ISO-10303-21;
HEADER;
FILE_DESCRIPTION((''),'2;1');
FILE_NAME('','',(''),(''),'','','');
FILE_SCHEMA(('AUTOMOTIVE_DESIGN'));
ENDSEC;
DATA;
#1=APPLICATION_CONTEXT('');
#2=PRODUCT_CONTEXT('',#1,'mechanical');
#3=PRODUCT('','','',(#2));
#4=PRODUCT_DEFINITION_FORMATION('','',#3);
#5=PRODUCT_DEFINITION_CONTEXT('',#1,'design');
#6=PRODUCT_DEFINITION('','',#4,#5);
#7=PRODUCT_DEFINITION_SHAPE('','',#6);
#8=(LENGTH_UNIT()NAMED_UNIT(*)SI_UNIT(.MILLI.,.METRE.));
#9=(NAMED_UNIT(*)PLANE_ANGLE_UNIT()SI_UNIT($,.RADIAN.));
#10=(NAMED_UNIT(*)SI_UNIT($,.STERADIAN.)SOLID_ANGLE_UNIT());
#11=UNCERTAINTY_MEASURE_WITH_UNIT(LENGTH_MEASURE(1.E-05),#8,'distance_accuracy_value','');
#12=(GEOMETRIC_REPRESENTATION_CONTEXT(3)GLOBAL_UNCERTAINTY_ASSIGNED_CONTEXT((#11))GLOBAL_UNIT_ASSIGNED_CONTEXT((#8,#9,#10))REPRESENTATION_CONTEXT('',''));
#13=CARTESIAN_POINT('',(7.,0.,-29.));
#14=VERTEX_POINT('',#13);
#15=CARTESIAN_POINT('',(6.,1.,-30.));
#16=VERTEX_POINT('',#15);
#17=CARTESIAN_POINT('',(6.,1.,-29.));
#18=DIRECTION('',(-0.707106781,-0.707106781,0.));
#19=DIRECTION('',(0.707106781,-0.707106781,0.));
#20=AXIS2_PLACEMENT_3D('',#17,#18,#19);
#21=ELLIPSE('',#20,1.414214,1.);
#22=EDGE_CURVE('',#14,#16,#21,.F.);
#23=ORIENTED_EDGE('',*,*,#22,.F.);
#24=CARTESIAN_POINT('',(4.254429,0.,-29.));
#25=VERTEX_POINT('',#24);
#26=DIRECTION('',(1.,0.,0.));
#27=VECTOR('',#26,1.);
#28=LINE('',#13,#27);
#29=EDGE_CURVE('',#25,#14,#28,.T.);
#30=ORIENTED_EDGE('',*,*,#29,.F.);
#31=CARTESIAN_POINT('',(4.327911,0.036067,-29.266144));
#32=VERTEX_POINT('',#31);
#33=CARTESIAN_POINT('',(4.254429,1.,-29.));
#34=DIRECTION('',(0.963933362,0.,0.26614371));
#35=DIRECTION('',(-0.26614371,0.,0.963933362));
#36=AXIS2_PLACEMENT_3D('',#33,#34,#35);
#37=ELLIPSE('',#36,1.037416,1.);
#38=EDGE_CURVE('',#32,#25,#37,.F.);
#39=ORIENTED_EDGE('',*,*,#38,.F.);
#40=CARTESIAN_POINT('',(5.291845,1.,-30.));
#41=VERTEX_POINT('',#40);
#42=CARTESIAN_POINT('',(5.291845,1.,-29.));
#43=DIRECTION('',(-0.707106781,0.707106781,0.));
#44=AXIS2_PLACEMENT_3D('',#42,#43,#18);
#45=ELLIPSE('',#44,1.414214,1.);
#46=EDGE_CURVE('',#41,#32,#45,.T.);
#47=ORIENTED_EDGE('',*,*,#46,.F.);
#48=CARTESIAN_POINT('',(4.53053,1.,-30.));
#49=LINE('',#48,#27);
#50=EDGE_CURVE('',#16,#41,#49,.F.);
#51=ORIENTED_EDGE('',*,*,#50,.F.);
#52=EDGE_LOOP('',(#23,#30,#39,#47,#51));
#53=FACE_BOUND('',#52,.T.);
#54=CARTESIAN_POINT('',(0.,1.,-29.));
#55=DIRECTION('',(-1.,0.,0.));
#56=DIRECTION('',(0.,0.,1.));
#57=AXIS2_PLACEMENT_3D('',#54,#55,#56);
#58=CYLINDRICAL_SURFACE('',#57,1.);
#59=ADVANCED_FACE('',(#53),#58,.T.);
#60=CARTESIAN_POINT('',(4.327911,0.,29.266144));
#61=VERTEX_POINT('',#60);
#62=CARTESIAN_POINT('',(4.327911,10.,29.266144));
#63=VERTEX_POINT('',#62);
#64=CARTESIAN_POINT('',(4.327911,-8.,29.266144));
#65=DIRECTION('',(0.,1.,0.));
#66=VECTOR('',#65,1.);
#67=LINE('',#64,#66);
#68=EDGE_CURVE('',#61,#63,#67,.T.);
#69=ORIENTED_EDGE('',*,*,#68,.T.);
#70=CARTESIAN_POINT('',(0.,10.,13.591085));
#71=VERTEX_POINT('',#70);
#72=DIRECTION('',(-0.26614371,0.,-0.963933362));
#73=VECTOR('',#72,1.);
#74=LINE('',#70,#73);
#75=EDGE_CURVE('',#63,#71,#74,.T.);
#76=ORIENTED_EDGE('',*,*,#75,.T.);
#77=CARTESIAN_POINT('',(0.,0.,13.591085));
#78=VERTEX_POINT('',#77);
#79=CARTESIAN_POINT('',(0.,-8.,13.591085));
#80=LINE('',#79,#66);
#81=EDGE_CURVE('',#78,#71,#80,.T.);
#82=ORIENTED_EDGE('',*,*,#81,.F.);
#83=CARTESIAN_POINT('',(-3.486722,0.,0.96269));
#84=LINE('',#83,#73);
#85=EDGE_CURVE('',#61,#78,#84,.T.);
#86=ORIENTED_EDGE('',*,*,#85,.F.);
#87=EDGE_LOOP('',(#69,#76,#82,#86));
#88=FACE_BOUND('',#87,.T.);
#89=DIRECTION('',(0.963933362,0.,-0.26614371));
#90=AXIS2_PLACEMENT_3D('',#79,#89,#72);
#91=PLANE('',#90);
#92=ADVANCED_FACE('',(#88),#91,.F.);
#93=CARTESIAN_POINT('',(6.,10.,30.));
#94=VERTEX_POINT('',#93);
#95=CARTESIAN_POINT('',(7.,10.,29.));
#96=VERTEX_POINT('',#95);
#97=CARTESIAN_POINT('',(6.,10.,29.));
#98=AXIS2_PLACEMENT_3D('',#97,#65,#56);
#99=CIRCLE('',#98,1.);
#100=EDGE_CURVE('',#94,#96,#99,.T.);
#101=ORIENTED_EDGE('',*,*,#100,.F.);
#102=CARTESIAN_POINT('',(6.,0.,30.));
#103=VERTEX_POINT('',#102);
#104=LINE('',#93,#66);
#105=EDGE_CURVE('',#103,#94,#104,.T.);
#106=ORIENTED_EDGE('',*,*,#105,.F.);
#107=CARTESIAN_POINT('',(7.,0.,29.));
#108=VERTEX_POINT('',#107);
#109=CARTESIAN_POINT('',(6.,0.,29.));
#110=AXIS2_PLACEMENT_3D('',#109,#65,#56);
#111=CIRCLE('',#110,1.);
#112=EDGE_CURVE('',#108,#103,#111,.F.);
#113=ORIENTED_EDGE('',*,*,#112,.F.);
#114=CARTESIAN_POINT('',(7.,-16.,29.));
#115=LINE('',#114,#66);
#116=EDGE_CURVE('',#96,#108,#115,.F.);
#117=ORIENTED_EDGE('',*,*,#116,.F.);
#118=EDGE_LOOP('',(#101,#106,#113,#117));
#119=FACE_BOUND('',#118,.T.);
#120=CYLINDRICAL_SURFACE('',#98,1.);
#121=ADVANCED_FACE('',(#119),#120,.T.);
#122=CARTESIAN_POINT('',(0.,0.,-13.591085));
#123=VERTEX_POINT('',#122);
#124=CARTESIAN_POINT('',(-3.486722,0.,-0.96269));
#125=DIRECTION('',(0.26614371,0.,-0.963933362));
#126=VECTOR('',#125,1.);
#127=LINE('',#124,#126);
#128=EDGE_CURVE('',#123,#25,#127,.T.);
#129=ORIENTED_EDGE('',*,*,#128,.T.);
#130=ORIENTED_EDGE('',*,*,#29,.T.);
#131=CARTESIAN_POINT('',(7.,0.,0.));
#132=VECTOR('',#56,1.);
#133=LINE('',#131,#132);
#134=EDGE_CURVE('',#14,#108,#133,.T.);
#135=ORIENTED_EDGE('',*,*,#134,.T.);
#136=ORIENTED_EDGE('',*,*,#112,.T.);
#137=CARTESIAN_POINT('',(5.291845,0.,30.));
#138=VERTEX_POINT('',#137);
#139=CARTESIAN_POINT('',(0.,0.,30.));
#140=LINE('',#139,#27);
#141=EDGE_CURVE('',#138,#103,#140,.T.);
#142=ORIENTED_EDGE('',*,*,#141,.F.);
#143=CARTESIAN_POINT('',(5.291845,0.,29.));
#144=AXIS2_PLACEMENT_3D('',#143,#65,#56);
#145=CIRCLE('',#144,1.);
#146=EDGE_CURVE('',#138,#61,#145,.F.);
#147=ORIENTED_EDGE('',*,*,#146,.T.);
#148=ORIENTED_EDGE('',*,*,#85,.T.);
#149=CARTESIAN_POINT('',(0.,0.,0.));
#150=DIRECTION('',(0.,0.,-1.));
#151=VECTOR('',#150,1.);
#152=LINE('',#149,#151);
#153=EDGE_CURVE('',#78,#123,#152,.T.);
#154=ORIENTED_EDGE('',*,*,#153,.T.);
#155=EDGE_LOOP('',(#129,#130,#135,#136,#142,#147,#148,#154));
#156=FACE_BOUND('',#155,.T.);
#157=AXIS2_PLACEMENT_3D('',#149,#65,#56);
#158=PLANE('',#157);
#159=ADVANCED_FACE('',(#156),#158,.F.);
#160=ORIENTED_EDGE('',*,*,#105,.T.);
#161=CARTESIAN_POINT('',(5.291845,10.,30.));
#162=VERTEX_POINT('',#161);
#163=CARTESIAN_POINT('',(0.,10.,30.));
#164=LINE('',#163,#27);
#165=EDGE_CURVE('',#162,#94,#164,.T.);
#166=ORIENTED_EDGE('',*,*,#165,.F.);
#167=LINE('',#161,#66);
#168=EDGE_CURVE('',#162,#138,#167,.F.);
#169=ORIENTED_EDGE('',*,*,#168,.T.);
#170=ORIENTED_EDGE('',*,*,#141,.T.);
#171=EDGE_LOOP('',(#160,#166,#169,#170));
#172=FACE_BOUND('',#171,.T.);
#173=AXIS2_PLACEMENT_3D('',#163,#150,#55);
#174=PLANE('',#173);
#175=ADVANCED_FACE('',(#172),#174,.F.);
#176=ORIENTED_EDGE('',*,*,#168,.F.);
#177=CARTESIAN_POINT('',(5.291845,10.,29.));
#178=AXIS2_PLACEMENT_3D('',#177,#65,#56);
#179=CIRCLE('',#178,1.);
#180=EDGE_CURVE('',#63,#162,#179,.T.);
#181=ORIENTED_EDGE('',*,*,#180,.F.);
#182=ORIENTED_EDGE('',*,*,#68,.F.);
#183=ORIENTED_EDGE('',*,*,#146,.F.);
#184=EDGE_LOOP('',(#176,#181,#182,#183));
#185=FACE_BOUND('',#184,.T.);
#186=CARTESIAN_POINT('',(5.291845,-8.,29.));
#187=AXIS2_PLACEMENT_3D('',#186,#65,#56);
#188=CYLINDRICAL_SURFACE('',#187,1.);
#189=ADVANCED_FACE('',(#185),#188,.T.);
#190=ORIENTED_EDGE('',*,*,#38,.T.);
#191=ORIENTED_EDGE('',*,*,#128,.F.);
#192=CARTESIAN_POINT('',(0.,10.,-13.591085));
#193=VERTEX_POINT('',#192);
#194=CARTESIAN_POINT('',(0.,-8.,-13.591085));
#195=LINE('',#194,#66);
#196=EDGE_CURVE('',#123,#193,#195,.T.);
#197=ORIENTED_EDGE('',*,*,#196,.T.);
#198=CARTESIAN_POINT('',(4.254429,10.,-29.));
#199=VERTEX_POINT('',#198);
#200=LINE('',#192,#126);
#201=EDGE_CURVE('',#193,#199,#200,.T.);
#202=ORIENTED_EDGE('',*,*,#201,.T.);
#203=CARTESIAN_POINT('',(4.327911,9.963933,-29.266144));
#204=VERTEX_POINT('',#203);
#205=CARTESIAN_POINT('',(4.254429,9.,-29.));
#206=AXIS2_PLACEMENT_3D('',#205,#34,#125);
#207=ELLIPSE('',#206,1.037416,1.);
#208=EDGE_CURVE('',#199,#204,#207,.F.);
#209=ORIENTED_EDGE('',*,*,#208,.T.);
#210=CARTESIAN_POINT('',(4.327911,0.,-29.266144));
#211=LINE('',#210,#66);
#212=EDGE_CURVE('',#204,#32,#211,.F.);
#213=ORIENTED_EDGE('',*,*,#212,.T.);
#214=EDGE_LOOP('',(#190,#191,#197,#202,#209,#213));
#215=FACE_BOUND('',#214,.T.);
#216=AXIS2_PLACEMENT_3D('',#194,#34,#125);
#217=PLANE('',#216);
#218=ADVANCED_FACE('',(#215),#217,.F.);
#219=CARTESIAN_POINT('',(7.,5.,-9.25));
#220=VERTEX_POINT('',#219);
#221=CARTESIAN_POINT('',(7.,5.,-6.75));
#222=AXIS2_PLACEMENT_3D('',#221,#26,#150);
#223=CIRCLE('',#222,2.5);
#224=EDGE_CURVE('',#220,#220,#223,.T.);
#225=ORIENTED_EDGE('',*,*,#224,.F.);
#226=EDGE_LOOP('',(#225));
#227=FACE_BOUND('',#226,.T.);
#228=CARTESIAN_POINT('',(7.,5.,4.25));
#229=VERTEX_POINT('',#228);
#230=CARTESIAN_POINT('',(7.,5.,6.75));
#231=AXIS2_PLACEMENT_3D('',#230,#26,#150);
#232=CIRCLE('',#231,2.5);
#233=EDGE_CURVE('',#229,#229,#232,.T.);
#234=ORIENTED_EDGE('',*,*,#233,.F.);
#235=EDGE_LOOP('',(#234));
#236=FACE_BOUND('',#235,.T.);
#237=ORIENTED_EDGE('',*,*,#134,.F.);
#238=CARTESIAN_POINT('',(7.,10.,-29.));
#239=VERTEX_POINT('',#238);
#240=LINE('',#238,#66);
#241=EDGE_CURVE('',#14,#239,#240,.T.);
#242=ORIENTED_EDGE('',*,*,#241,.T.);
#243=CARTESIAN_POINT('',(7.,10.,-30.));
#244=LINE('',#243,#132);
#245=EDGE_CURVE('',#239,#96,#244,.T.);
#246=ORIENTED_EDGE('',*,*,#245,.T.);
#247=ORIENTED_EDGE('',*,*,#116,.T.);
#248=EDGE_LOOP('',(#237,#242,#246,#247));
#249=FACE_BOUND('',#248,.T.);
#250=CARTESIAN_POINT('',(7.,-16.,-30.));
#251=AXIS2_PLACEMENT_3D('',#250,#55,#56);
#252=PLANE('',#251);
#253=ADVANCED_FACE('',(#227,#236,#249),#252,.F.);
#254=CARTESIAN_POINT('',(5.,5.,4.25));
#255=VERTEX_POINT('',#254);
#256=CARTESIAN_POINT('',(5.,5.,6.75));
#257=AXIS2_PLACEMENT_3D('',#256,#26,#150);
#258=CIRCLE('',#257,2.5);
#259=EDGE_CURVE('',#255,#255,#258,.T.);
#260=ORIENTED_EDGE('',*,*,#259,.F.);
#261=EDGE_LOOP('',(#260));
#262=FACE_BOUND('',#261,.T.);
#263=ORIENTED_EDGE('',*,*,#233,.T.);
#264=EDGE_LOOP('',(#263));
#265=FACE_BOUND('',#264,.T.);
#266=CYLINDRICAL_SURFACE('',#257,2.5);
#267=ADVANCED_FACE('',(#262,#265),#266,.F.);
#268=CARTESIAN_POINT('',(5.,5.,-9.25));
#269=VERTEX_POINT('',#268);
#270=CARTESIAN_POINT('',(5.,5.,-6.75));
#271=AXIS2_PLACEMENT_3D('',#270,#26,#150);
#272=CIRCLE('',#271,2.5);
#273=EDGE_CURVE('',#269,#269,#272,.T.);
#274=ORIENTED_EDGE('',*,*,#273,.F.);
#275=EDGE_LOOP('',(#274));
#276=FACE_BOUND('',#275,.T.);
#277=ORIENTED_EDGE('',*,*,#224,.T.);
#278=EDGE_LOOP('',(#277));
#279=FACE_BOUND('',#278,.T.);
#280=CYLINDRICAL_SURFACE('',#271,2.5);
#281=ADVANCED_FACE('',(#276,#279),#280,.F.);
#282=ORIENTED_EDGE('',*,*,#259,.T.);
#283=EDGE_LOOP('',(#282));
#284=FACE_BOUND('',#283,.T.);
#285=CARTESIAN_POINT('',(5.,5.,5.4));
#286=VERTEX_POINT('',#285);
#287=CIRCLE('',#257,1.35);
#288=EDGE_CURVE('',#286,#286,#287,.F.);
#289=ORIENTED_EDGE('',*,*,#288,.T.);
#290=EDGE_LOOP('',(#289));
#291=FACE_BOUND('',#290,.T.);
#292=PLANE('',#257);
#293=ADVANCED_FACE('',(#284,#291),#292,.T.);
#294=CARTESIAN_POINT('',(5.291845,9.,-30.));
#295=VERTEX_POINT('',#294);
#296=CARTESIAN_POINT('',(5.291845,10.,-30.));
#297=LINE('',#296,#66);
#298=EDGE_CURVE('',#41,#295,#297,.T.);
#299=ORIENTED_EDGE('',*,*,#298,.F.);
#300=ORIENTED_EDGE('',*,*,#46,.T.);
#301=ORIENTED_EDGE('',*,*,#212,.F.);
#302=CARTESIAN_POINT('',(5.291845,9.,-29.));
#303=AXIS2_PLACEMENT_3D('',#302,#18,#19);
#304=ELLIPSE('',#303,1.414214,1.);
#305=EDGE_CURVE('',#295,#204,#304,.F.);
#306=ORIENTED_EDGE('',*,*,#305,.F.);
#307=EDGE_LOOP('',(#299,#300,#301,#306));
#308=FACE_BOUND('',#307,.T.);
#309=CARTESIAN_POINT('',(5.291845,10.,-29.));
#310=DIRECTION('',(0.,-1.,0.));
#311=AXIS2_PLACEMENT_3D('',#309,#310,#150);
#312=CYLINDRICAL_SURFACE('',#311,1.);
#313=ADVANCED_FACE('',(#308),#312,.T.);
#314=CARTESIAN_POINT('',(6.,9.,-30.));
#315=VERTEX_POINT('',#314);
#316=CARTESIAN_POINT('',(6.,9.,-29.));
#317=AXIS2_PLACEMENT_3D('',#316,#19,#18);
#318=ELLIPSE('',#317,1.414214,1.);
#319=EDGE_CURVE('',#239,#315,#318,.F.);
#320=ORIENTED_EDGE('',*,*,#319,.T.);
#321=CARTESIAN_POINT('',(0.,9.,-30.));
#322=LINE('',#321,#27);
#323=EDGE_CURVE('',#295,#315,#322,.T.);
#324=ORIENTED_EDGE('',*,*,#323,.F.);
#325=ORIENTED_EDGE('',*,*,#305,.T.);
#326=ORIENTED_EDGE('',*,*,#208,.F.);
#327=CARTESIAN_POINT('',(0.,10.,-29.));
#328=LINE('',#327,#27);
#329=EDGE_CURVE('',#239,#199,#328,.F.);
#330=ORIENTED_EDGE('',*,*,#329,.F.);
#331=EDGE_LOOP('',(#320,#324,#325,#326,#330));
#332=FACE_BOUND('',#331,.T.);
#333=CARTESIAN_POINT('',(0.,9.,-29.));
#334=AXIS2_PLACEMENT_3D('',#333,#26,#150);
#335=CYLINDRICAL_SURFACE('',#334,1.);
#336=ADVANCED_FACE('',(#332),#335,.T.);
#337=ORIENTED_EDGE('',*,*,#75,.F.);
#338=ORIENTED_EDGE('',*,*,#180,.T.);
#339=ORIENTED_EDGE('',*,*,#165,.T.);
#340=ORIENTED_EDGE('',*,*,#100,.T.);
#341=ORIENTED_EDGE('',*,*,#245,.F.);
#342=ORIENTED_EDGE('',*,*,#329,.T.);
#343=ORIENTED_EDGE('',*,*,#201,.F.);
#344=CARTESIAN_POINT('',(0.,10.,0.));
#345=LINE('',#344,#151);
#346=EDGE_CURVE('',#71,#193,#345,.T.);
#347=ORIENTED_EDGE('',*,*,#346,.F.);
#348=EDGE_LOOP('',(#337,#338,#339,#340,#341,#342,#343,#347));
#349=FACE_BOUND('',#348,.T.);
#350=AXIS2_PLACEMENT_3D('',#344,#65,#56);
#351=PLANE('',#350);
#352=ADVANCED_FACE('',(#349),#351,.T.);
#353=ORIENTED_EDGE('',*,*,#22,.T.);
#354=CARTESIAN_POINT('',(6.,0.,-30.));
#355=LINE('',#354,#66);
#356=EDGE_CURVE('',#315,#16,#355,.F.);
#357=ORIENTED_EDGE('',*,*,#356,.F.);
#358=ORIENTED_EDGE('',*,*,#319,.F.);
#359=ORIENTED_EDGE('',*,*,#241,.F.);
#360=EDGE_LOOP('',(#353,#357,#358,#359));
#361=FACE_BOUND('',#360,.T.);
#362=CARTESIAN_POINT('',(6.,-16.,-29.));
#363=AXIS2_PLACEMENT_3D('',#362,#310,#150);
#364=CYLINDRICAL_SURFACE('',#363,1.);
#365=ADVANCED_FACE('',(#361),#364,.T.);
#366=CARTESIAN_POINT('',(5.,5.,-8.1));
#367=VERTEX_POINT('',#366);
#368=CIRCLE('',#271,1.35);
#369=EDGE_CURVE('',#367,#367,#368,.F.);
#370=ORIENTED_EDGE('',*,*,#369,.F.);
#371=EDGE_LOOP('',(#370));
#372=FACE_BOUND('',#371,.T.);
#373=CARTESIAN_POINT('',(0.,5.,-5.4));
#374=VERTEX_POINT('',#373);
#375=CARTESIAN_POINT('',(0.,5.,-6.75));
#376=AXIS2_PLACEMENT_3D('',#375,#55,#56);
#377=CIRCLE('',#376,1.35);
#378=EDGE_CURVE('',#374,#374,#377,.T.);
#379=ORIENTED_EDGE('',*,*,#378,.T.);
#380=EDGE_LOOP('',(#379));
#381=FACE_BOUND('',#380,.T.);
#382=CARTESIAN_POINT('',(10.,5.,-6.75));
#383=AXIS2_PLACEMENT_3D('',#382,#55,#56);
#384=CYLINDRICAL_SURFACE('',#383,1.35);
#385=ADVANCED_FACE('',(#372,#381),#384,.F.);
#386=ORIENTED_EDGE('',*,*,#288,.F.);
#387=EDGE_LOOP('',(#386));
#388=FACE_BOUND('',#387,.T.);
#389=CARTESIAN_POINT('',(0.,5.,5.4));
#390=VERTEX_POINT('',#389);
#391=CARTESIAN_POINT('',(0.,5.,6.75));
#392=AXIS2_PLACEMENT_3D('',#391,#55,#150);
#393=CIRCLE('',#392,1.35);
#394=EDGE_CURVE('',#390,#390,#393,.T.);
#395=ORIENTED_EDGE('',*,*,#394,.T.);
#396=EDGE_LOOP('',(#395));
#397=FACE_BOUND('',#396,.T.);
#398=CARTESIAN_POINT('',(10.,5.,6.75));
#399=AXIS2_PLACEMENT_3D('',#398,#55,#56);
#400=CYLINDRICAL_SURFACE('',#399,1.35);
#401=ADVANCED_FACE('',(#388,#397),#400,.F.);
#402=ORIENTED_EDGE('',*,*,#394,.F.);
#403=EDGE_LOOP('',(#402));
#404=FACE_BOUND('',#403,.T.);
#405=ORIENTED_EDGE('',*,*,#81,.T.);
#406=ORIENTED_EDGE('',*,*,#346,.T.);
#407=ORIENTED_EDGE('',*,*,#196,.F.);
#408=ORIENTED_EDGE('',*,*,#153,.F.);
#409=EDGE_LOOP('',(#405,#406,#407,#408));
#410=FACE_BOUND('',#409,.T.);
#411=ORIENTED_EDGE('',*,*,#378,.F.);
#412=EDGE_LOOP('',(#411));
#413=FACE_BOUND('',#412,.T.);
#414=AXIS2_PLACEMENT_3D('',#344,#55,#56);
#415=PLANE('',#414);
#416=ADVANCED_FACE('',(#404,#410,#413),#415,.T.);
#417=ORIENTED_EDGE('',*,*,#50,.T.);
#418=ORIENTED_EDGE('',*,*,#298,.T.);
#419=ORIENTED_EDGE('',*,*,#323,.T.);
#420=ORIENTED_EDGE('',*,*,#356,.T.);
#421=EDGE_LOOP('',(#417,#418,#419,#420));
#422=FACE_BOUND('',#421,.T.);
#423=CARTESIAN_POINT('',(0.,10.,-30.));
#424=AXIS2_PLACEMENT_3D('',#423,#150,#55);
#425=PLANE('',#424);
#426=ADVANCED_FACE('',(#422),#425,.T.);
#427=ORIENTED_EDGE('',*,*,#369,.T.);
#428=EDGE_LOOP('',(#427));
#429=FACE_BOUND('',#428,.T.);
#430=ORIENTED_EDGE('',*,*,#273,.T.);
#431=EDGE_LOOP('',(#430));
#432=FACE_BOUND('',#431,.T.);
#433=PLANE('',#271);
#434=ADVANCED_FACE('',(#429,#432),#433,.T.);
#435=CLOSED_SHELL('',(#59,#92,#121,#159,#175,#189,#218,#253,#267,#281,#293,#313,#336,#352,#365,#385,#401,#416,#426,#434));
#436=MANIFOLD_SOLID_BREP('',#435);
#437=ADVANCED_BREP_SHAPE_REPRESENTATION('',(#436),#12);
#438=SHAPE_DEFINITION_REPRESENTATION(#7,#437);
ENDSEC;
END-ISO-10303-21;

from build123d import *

# Parameters (mm, degrees)
SKETCH1_W           = 33.537053001
SKETCH1_H           = 60
BOSS_EXTRUDE1_DEPTH = 10
SKETCH2_R           = 1.35
CUT_EXTRUDE1_DEPTH  = 10
CUT_EXTRUDE3_DEPTH  = 18
SKETCH10_W          = 20.892081227
SKETCH10_H          = 64.192604416
CUT_EXTRUDE4_DEPTH  = 26
SKETCH15_W          = 6.200817496
SKETCH15_H          = 60
CUT_EXTRUDE5_DEPTH  = 26
FILLET1_R           = 1
SKETCH16_R          = 2.5
CUT_EXTRUDE6_DEPTH  = 2


with BuildPart() as part:
    # Sketch1 → Boss-Extrude1 (new body)
    with BuildSketch(Plane(origin=(0, 0, 0), x_dir=(1, 0, 0), z_dir=(0, 1, 0))):
        with Locations((16.768526501, 0)):
            Rectangle(SKETCH1_W, SKETCH1_H)
    extrude(amount=BOSS_EXTRUDE1_DEPTH)

    # Sketch2 → Cut-Extrude1 (cut)
    with BuildSketch(Plane.ZY):
        with Locations((-6.75, 5)):
            Circle(SKETCH2_R)
        with Locations(Location((6.75, 5, 0), (0, 0, 180))):
            Circle(SKETCH2_R)
    extrude(amount=-CUT_EXTRUDE1_DEPTH, mode=Mode.SUBTRACT)

    # Sketch5 → Cut-Extrude3 (cut)
    with BuildSketch(Plane(origin=(0, 10, 0), x_dir=(1, 0, 0), z_dir=(0, 1, 0))):
        Polygon((0, 13.591085099), (4.530530491, 30), (0, 30), align=None)
        Polygon((0, -30), (4.530530491, -30), (0, -13.591085099), align=None)
    extrude(amount=-CUT_EXTRUDE3_DEPTH, mode=Mode.SUBTRACT)

    # Sketch10 → Cut-Extrude4 (cut)
    with BuildSketch(Plane(origin=(0, 10, 0), x_dir=(1, 0, 0), z_dir=(0, 1, 0))):
        with Locations((23.64685811, -0.926664893)):
            Rectangle(SKETCH10_W, SKETCH10_H)
    extrude(amount=-CUT_EXTRUDE4_DEPTH, mode=Mode.SUBTRACT)

    # Sketch15 → Cut-Extrude5 (cut)
    with BuildSketch(Plane(origin=(0, 10, 0), x_dir=(1, 0, 0), z_dir=(0, 1, 0))):
        with Locations((10.100408748, 0)):
            Rectangle(SKETCH15_W, SKETCH15_H)
    extrude(amount=-CUT_EXTRUDE5_DEPTH, mode=Mode.SUBTRACT)

    # Fillet1
    fillet1_edges = [part.edges().sort_by_distance(p)[0] for p in [
        (5.765265246, 0, -30),
        (5.765265246, 10, -30),
        (4.530530491, 5, -30),
        (4.530530491, 5, 30),
        (7, 5, 30),
        (7, 5, -30),
    ]]
    fillet(fillet1_edges, radius=FILLET1_R)

    # Sketch16 → Cut-Extrude6 (cut)
    with BuildSketch(Plane(origin=(7, 0, 0), x_dir=(0, 0, -1), z_dir=(1, 0, 0))):
        with Locations((-6.75, 5)):
            Circle(SKETCH16_R)
        with Locations((6.75, 5)):
            Circle(SKETCH16_R)
    extrude(amount=-CUT_EXTRUDE6_DEPTH, mode=Mode.SUBTRACT)


solid = part.part
